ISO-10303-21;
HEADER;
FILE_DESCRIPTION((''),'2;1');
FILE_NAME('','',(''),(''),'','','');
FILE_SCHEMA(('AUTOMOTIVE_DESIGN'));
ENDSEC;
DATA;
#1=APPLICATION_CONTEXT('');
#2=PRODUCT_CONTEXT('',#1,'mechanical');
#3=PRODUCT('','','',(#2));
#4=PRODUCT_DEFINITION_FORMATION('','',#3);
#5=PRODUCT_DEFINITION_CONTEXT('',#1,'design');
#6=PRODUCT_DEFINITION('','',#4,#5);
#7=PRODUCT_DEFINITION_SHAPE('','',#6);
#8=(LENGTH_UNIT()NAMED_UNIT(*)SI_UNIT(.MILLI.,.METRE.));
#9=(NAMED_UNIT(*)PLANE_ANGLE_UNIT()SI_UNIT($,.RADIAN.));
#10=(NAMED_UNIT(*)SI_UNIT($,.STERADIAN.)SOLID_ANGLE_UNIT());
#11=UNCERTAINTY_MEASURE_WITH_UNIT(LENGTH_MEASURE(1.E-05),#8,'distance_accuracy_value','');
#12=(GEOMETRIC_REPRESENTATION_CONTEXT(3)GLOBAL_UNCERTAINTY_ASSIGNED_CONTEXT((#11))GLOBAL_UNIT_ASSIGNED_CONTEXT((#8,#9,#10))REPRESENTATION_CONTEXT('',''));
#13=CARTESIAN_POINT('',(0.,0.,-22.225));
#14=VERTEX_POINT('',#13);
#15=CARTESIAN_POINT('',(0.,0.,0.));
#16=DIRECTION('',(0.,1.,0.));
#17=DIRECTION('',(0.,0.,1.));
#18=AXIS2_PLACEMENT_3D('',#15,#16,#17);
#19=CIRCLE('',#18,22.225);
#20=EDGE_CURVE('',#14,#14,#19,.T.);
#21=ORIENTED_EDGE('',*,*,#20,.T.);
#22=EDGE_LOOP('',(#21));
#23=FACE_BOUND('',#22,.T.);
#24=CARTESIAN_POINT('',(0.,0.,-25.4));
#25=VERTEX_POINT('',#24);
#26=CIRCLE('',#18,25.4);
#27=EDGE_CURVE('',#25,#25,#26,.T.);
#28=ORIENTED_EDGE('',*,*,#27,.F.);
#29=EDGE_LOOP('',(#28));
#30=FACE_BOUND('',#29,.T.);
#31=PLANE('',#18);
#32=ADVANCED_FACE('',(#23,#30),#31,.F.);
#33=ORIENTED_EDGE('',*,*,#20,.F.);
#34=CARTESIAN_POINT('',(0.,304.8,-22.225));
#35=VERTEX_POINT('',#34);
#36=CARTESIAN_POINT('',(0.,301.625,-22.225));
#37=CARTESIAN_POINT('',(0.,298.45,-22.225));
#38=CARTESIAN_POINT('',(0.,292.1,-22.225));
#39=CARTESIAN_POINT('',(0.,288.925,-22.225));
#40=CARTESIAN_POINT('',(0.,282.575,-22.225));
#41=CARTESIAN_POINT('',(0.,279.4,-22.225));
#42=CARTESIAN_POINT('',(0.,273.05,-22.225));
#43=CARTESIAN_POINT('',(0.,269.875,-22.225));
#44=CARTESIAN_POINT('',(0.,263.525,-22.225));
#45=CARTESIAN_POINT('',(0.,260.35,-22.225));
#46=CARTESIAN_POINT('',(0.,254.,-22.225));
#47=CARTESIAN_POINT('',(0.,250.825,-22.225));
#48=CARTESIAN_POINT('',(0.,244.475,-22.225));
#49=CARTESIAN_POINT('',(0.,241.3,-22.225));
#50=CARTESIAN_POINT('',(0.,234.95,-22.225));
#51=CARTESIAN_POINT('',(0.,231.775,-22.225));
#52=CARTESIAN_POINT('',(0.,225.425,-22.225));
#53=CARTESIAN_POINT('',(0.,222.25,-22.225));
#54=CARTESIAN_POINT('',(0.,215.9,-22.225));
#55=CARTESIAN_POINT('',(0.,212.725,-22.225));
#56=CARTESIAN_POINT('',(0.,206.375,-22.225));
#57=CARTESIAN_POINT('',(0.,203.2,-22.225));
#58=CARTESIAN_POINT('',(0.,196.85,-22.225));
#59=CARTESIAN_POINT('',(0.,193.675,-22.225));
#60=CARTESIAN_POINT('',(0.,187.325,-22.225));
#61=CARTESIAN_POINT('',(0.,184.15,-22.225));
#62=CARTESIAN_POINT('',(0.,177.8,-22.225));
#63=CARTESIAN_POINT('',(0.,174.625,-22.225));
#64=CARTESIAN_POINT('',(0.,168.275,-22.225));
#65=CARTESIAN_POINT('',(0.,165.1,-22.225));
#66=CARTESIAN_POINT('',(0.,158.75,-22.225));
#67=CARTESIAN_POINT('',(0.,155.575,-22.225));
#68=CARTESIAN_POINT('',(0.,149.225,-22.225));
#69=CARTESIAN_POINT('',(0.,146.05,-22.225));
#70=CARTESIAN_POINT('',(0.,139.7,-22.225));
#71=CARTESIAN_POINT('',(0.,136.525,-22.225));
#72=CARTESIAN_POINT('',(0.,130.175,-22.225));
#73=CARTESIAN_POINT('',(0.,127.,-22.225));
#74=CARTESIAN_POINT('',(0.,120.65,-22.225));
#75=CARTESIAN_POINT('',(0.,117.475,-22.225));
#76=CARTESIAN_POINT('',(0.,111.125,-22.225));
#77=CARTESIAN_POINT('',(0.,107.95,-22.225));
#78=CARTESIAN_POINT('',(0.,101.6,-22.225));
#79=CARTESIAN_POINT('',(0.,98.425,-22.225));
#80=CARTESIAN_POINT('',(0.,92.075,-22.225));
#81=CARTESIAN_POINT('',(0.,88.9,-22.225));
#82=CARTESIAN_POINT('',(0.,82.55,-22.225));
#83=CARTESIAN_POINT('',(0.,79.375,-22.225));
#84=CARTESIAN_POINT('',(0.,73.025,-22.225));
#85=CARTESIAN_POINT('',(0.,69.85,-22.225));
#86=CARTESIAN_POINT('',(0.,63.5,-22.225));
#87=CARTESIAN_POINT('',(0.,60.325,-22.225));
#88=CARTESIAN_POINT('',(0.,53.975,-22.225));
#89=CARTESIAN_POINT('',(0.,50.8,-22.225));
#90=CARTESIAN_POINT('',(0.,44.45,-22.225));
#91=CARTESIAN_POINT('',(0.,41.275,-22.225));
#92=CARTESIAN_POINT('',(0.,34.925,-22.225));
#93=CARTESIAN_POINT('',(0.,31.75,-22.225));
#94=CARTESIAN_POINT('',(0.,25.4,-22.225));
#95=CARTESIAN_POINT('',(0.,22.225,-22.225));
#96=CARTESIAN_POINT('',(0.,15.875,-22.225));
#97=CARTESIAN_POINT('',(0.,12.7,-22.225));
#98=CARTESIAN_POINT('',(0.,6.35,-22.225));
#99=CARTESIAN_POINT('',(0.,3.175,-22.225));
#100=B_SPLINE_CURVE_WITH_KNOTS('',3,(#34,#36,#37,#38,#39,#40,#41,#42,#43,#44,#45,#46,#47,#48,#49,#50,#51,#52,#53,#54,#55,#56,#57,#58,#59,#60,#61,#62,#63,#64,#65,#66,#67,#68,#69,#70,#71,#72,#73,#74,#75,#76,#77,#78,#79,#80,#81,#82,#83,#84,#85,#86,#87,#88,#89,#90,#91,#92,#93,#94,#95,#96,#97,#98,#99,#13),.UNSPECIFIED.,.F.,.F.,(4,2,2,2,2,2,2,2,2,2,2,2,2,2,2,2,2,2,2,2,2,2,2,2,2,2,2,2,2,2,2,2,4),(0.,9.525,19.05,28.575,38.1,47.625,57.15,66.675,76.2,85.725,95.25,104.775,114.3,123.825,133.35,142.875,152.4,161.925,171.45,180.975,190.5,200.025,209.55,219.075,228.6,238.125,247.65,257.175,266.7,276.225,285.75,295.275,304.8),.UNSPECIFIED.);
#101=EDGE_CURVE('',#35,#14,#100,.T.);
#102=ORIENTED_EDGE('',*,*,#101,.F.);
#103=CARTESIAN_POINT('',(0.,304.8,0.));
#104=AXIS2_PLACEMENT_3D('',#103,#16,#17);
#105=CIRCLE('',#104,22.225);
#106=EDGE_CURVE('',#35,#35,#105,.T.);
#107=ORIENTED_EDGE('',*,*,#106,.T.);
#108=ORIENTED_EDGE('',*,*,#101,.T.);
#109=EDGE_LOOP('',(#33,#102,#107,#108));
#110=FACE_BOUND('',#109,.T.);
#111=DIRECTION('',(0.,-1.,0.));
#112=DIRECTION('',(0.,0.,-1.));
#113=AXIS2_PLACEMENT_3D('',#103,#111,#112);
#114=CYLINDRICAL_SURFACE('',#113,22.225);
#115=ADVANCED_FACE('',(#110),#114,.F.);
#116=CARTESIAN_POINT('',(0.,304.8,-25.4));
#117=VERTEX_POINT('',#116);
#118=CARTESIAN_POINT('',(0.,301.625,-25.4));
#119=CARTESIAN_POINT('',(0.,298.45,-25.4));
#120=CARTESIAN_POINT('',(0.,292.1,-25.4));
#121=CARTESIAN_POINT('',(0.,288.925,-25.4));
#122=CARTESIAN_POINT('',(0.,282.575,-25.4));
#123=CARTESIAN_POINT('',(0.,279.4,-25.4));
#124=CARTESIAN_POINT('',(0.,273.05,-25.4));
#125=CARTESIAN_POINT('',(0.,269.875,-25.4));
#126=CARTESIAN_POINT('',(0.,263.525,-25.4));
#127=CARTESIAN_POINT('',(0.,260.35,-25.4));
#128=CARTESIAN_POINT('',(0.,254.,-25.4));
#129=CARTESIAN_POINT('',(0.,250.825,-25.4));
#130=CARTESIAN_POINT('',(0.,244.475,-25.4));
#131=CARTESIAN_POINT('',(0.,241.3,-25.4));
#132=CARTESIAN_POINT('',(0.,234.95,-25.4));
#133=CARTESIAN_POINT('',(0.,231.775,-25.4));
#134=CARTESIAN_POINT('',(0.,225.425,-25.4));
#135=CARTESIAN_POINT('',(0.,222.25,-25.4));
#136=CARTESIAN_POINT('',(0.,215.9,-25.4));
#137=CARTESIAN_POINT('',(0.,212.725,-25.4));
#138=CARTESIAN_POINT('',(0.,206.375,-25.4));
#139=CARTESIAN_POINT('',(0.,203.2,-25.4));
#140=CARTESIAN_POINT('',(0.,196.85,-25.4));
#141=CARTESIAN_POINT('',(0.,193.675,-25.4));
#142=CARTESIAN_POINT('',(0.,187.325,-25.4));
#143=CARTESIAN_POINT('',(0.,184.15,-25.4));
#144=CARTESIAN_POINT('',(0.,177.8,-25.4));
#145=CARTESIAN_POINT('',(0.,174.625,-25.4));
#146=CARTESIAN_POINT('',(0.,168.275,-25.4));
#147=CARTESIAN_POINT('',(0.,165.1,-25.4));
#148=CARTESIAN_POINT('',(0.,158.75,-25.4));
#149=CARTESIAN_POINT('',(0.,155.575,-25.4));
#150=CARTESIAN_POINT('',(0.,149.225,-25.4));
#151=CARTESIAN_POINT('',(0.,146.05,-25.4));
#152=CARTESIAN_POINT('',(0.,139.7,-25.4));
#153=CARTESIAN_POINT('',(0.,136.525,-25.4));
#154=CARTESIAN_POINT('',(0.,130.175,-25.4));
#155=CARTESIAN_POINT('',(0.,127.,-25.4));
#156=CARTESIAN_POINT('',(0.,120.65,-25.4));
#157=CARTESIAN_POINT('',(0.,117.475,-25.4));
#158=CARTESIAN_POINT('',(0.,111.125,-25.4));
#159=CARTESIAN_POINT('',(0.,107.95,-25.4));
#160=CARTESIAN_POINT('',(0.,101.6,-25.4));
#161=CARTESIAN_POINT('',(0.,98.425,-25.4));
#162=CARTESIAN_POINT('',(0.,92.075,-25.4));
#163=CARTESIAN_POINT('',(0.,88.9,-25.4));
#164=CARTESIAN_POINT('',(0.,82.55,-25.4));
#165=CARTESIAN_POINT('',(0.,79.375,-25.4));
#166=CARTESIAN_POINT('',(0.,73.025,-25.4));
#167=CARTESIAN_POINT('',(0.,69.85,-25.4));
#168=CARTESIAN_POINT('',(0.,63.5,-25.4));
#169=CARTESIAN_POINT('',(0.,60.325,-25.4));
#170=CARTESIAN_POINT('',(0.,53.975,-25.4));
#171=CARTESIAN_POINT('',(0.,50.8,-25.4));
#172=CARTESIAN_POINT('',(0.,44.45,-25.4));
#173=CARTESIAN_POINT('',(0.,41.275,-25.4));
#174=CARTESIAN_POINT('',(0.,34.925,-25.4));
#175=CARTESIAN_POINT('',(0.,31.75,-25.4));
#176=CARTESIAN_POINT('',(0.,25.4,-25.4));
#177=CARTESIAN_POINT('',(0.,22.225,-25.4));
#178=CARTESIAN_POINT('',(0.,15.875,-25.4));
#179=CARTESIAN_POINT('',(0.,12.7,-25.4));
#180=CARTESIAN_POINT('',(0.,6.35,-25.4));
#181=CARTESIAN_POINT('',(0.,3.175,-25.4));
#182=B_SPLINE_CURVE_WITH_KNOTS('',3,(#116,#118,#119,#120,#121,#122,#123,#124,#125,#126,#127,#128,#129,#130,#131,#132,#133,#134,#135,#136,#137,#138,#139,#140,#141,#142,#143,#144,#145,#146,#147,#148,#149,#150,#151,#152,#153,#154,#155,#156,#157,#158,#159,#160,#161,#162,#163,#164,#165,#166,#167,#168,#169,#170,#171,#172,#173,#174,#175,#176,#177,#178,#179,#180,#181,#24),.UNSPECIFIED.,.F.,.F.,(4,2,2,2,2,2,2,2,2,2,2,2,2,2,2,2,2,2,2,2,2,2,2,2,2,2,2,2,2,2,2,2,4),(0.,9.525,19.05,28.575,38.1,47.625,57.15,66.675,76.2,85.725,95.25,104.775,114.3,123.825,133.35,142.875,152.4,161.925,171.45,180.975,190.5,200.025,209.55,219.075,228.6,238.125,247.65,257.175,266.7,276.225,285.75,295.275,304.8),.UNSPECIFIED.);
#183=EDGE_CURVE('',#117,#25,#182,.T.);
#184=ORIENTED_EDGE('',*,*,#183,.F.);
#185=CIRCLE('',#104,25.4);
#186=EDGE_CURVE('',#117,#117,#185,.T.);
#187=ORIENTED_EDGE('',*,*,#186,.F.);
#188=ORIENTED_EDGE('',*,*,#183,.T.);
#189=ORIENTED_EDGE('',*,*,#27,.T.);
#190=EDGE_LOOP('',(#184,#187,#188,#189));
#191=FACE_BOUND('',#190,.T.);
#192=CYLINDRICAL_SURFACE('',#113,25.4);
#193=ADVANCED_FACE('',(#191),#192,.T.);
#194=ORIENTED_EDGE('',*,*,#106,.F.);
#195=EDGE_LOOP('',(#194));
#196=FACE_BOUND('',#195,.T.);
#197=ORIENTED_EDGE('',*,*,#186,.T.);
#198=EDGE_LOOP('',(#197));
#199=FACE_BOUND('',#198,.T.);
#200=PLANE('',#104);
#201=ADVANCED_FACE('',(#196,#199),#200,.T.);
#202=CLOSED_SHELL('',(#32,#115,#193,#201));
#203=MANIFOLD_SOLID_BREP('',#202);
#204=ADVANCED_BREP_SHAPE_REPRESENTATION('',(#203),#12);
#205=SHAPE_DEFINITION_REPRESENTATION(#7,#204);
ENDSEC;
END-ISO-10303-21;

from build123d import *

# Parameters (mm, degrees)
SKETCH1_R           = 25.4
SKETCH1_R_2         = 22.225
BOSS_EXTRUDE1_DEPTH = 304.8


with BuildPart() as part:
    # Sketch1 → Boss-Extrude1 (new body)
    with BuildSketch(Plane(origin=(0, 0, 0), x_dir=(1, 0, 0), z_dir=(0, 1, 0))):
        with Locations(Location((0, 0, 0), (0, 0, 90))):
            Circle(SKETCH1_R)
        with Locations(Location((0, 0, 0), (0, 0, 90))):
            Circle(SKETCH1_R_2, mode=Mode.SUBTRACT)
    extrude(amount=BOSS_EXTRUDE1_DEPTH)


solid = part.part
